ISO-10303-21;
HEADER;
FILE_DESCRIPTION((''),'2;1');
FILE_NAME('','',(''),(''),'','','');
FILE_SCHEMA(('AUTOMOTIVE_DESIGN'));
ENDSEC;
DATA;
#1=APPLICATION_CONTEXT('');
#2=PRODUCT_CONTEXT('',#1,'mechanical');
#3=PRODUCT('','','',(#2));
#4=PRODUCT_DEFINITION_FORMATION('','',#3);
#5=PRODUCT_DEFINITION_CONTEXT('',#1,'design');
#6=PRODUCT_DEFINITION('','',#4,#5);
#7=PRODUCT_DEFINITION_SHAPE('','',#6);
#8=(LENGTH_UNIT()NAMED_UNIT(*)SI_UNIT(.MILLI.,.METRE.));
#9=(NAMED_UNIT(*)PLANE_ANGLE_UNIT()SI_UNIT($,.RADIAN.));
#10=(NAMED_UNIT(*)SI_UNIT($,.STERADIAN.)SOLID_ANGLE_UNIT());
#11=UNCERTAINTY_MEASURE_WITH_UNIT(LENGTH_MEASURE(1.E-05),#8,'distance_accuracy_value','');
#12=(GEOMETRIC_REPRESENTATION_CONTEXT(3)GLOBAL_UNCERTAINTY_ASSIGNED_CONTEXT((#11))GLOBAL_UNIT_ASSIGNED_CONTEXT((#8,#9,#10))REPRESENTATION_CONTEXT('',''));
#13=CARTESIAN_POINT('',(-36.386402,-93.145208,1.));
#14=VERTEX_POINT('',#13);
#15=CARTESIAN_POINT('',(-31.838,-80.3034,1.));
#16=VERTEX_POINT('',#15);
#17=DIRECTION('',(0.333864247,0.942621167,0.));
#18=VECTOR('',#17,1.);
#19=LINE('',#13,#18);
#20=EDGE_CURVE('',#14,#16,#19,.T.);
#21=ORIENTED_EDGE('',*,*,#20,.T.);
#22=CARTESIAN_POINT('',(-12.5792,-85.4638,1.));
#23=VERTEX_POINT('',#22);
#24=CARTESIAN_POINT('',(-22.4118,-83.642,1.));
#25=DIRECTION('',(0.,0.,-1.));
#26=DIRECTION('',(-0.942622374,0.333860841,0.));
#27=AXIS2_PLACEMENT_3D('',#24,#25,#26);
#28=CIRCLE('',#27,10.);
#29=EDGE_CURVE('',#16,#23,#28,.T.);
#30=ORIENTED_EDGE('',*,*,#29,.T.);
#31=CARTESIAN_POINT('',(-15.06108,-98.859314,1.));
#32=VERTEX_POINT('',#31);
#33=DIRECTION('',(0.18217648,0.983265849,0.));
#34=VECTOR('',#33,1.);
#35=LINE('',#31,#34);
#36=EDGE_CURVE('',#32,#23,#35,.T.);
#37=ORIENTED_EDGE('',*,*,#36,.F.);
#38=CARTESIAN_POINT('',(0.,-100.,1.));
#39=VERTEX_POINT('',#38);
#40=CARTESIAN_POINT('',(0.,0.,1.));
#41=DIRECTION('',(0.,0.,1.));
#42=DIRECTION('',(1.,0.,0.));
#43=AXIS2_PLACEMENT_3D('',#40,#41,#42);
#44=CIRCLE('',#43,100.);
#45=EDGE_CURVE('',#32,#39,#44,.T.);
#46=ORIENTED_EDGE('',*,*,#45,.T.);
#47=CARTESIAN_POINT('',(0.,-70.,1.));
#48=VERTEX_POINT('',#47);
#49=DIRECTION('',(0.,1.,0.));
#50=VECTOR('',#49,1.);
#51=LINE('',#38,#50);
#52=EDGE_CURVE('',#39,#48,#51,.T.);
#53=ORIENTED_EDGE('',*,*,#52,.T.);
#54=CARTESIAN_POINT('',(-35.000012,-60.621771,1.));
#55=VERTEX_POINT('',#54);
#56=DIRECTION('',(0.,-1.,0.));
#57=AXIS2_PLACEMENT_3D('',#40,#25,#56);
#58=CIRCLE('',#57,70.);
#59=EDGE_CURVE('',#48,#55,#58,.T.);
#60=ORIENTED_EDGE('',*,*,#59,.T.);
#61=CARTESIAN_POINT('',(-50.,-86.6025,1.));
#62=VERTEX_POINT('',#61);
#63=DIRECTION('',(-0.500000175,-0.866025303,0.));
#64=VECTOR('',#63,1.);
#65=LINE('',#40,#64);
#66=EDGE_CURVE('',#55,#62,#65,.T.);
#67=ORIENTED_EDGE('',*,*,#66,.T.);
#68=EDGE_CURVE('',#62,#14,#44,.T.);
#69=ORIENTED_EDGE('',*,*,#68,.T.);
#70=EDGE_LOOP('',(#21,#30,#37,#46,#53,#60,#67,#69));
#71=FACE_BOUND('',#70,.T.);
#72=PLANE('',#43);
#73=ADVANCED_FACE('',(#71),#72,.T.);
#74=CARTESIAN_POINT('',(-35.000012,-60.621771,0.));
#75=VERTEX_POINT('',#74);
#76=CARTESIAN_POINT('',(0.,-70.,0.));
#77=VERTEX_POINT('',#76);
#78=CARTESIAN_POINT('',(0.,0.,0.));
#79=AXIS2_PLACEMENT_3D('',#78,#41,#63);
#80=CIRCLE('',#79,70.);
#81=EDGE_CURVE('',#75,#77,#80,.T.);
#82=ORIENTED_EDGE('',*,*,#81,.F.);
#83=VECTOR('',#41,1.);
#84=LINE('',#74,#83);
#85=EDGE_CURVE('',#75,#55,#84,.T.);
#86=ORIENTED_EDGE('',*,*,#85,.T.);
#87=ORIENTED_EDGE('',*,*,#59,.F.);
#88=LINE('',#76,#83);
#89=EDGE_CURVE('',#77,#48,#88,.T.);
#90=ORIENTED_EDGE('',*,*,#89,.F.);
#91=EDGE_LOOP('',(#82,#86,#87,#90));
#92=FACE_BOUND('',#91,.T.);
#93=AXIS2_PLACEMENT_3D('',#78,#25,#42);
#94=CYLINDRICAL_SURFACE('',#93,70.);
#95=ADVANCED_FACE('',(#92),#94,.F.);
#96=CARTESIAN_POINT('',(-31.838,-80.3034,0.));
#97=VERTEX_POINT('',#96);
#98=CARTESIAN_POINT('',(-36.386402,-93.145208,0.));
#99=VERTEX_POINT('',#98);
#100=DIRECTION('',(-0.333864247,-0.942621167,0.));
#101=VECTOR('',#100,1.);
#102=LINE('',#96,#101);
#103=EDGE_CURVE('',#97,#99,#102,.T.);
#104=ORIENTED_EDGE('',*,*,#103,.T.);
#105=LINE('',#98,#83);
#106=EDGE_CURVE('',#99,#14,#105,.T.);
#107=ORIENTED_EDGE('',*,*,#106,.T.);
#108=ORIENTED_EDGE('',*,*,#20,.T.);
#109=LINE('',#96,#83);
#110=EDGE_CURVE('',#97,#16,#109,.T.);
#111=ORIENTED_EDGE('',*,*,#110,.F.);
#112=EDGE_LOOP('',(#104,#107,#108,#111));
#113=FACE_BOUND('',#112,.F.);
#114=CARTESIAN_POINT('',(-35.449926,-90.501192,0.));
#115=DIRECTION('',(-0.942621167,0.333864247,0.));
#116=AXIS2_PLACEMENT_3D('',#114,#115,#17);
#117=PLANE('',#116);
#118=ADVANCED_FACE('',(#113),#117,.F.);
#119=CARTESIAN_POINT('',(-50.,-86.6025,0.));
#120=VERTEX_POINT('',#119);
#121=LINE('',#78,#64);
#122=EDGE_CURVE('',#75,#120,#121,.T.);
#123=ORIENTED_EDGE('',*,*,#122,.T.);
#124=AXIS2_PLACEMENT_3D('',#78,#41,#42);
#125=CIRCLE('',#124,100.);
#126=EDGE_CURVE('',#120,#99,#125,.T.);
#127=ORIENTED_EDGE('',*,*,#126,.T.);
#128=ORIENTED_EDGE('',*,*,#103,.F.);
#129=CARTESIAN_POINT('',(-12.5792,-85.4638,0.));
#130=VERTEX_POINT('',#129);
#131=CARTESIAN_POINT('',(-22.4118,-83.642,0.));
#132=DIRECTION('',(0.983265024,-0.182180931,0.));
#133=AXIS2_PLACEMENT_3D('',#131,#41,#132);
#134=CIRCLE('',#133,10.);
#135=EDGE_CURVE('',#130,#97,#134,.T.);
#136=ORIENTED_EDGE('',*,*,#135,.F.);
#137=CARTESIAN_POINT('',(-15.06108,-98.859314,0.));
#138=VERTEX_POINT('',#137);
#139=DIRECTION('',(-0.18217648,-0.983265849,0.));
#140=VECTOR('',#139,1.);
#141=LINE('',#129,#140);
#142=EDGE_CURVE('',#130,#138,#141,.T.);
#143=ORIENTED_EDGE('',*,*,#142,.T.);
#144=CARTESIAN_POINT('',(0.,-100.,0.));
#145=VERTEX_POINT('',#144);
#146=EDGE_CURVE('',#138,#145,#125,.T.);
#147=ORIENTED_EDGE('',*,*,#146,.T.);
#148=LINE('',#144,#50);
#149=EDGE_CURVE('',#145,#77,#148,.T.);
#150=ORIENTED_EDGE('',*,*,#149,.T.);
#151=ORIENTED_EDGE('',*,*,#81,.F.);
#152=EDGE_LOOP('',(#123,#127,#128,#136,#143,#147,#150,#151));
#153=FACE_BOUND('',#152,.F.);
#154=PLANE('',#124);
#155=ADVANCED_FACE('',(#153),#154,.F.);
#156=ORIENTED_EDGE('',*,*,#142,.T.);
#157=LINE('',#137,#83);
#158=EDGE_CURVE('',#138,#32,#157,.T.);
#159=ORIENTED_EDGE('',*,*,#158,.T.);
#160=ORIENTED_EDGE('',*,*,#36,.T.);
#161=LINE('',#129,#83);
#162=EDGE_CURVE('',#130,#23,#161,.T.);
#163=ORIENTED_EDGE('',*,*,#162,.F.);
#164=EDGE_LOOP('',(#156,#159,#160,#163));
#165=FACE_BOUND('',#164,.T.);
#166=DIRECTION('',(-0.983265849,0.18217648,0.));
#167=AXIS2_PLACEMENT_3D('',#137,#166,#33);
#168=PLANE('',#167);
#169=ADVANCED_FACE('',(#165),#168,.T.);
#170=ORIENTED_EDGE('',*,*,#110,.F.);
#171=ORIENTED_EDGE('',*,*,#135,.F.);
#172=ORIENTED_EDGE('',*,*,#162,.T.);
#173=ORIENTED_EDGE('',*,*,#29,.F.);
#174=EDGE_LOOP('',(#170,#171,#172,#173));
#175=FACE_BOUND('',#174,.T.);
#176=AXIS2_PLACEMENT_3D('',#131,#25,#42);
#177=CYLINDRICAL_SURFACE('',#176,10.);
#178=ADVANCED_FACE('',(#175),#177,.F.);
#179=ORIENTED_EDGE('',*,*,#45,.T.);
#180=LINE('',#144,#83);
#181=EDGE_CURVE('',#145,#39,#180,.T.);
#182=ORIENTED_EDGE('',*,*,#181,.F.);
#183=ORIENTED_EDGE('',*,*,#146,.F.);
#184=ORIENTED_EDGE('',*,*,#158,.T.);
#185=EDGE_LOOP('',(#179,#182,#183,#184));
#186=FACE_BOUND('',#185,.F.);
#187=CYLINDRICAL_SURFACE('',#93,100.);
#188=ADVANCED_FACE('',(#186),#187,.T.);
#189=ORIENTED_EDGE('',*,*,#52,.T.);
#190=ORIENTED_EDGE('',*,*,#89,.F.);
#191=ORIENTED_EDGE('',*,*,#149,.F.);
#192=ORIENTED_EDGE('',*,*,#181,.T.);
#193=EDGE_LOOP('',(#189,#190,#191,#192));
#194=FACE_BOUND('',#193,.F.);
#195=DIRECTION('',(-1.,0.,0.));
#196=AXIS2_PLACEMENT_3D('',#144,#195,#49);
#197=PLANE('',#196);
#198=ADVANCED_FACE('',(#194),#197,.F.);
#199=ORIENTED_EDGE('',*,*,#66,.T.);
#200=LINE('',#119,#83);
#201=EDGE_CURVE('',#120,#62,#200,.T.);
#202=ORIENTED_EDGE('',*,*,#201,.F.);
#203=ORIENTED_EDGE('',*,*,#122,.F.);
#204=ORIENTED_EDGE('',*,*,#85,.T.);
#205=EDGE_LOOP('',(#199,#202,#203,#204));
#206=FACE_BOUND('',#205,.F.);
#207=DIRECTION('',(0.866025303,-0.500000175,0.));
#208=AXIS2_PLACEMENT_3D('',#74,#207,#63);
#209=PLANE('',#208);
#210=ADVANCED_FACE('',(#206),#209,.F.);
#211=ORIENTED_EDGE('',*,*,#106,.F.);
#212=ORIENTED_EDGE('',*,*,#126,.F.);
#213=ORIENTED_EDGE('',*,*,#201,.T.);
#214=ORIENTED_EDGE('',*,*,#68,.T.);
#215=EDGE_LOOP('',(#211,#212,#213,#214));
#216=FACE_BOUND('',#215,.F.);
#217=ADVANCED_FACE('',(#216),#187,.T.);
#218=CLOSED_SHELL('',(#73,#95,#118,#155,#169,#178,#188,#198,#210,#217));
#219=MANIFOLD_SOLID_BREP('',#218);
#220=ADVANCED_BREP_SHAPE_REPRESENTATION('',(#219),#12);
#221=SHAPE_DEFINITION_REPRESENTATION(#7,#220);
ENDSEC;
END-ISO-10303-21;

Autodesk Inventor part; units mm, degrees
ref_plane "YZ Plane" through (0, 0, 0) normal (1, 0, 0) x (0, 1, 0)
ref_plane "XZ Plane" through (0, 0, 0) normal (0, 1, 0) x (-1, 0, 0)
ref_plane "XY Plane" through (0, 0, 0) normal (0, 0, 1) x (1, 0, 0)
sketch "スケッチ1" plane through (0, 0, 0) normal (0, 0, 1) x (1, 0, 0)
  circle A0 centre (0, 0) radius 100
  circle A1 centre (0, 0) radius 70
  line L0 (0, 100) -> (50, 86.6025)
  line L1 (50, 86.6025) -> (86.6025, 50)
  line L2 (86.6025, 50) -> (100, 0)
  line L3 (100, 0) -> (86.6025, -50)
  line L4 (86.6025, -50) -> (50, -86.6025)
  line L5 (50, -86.6025) -> (0, -100)
  line L6 (0, -100) -> (-50, -86.6025)
  line L7 (-50, -86.6025) -> (-86.6025, -50)
  line L8 (-86.6025, -50) -> (-100, 0)
  line L9 (-100, 0) -> (-86.6025, 50)
  line L10 (-86.6025, 50) -> (-50, 86.6025)
  line L11 (-50, 86.6025) -> (0, 100)
  line L12 (0, 0) -> (-50, -86.6025)
  line L13 (0, -100) -> (0, 0)
  line L14 (-25, -93.3013) -> (0, 0)
  line L15 (-25, -93.3013) -> (-22.4118, -83.642)
  circle A2 centre (-22.4118, -83.642) radius 10
  line L16 (-22.4118, -83.642) -> (-32.0711, -81.0538)
  line L17 (-22.4118, -83.642) -> (-12.7526, -86.2302)
  line L18 (-22.4118, -83.642) -> (-28.8823, -107.7902)
  line L19 (-28.8823, -107.7902) -> (-40.4734, -104.6843)
  line L20 (-40.4734, -104.6843) -> (-31.838, -80.3034)
  line L21 (-28.8823, -107.7902) -> (-17.2912, -110.896)
  line L22 (-17.2912, -110.896) -> (-12.5792, -85.4638)
  point P0 (0, -100)
  point P1 (0, -70)
  point P2 (-35, -60.6218)
  point P3 (-25, -93.3013)
  point P4 (-36.3864, -93.1452)
  point P5 (-15.061, -98.8593)
  dimension "d0" = 200
  dimension "d1" = 140
  dimension "d2" = 10
  dimension "d3" = 20
  dimension "d4" = 90
  dimension "d5" = 90
  dimension "d8" = 25
  dimension "d9" = 12
  dimension "d10" = 12
extrude "押し出し2" add sketch "スケッチ1" along normal blind 1 contours A0 L22 L6 | L6 L22 A2 L14 A1 L13 | L14 A2 L20 L6 L12 A1 | A0 L6 L20
properties part number "円盤1"
